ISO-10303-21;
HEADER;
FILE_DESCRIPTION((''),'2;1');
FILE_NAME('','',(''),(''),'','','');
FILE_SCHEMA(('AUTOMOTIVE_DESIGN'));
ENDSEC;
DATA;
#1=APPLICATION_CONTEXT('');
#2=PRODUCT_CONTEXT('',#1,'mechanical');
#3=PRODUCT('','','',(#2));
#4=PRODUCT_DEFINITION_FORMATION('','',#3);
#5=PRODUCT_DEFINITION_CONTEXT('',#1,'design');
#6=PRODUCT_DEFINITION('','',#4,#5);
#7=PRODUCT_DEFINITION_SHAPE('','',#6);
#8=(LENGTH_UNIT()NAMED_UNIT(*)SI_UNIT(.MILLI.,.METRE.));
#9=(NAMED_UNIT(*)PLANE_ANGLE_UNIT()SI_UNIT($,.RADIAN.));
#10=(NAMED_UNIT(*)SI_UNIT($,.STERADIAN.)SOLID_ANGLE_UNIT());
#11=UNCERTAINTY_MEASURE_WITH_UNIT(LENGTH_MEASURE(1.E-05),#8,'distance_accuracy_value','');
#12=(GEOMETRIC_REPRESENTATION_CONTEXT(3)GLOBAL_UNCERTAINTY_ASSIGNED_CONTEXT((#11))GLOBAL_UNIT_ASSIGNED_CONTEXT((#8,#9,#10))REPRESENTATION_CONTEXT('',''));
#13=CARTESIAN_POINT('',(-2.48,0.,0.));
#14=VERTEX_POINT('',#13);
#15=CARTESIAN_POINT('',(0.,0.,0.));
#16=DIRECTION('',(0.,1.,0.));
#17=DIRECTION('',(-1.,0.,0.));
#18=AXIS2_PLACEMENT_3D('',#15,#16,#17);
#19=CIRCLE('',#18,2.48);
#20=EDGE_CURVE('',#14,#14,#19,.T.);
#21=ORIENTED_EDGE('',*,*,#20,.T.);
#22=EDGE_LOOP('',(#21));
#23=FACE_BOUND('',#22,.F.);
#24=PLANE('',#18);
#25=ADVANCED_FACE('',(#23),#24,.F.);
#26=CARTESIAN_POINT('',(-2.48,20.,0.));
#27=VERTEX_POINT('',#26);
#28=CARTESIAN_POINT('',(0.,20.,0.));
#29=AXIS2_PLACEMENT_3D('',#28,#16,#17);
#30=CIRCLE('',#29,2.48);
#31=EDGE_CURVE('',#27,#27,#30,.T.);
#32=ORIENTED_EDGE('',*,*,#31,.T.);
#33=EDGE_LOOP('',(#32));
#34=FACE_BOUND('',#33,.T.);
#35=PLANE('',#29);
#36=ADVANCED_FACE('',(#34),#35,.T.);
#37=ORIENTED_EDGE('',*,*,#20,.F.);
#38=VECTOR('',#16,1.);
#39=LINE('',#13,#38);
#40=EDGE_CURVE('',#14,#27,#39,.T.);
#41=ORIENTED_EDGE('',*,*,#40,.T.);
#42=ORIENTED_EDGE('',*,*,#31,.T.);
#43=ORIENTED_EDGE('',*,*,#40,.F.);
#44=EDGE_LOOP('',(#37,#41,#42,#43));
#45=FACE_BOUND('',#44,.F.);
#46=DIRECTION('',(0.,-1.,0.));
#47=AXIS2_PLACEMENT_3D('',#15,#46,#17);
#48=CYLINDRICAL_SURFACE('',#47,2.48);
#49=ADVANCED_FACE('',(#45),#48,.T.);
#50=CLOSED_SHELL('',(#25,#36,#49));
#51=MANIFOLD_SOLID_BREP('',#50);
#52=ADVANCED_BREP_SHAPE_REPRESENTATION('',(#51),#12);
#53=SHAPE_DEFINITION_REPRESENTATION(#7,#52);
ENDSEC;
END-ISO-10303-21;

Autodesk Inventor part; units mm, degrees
ref_plane "YZ Plane" through (0, 0, 0) normal (1, 0, 0) x (0, 1, 0)
ref_plane "XZ Plane" through (0, 0, 0) normal (0, 1, 0) x (-1, 0, 0)
ref_plane "XY Plane" through (0, 0, 0) normal (0, 0, 1) x (1, 0, 0)
sketch "草圖1" plane through (0, 0, 0) normal (0, 1, 0) x (-1, 0, 0)
  circle A0 centre (0, 0) radius 2.48
  dimension "d0" = 4.96
extrude "擠出1" add sketch "草圖1" along normal blind 20
properties part number "CaseLidComponent"
